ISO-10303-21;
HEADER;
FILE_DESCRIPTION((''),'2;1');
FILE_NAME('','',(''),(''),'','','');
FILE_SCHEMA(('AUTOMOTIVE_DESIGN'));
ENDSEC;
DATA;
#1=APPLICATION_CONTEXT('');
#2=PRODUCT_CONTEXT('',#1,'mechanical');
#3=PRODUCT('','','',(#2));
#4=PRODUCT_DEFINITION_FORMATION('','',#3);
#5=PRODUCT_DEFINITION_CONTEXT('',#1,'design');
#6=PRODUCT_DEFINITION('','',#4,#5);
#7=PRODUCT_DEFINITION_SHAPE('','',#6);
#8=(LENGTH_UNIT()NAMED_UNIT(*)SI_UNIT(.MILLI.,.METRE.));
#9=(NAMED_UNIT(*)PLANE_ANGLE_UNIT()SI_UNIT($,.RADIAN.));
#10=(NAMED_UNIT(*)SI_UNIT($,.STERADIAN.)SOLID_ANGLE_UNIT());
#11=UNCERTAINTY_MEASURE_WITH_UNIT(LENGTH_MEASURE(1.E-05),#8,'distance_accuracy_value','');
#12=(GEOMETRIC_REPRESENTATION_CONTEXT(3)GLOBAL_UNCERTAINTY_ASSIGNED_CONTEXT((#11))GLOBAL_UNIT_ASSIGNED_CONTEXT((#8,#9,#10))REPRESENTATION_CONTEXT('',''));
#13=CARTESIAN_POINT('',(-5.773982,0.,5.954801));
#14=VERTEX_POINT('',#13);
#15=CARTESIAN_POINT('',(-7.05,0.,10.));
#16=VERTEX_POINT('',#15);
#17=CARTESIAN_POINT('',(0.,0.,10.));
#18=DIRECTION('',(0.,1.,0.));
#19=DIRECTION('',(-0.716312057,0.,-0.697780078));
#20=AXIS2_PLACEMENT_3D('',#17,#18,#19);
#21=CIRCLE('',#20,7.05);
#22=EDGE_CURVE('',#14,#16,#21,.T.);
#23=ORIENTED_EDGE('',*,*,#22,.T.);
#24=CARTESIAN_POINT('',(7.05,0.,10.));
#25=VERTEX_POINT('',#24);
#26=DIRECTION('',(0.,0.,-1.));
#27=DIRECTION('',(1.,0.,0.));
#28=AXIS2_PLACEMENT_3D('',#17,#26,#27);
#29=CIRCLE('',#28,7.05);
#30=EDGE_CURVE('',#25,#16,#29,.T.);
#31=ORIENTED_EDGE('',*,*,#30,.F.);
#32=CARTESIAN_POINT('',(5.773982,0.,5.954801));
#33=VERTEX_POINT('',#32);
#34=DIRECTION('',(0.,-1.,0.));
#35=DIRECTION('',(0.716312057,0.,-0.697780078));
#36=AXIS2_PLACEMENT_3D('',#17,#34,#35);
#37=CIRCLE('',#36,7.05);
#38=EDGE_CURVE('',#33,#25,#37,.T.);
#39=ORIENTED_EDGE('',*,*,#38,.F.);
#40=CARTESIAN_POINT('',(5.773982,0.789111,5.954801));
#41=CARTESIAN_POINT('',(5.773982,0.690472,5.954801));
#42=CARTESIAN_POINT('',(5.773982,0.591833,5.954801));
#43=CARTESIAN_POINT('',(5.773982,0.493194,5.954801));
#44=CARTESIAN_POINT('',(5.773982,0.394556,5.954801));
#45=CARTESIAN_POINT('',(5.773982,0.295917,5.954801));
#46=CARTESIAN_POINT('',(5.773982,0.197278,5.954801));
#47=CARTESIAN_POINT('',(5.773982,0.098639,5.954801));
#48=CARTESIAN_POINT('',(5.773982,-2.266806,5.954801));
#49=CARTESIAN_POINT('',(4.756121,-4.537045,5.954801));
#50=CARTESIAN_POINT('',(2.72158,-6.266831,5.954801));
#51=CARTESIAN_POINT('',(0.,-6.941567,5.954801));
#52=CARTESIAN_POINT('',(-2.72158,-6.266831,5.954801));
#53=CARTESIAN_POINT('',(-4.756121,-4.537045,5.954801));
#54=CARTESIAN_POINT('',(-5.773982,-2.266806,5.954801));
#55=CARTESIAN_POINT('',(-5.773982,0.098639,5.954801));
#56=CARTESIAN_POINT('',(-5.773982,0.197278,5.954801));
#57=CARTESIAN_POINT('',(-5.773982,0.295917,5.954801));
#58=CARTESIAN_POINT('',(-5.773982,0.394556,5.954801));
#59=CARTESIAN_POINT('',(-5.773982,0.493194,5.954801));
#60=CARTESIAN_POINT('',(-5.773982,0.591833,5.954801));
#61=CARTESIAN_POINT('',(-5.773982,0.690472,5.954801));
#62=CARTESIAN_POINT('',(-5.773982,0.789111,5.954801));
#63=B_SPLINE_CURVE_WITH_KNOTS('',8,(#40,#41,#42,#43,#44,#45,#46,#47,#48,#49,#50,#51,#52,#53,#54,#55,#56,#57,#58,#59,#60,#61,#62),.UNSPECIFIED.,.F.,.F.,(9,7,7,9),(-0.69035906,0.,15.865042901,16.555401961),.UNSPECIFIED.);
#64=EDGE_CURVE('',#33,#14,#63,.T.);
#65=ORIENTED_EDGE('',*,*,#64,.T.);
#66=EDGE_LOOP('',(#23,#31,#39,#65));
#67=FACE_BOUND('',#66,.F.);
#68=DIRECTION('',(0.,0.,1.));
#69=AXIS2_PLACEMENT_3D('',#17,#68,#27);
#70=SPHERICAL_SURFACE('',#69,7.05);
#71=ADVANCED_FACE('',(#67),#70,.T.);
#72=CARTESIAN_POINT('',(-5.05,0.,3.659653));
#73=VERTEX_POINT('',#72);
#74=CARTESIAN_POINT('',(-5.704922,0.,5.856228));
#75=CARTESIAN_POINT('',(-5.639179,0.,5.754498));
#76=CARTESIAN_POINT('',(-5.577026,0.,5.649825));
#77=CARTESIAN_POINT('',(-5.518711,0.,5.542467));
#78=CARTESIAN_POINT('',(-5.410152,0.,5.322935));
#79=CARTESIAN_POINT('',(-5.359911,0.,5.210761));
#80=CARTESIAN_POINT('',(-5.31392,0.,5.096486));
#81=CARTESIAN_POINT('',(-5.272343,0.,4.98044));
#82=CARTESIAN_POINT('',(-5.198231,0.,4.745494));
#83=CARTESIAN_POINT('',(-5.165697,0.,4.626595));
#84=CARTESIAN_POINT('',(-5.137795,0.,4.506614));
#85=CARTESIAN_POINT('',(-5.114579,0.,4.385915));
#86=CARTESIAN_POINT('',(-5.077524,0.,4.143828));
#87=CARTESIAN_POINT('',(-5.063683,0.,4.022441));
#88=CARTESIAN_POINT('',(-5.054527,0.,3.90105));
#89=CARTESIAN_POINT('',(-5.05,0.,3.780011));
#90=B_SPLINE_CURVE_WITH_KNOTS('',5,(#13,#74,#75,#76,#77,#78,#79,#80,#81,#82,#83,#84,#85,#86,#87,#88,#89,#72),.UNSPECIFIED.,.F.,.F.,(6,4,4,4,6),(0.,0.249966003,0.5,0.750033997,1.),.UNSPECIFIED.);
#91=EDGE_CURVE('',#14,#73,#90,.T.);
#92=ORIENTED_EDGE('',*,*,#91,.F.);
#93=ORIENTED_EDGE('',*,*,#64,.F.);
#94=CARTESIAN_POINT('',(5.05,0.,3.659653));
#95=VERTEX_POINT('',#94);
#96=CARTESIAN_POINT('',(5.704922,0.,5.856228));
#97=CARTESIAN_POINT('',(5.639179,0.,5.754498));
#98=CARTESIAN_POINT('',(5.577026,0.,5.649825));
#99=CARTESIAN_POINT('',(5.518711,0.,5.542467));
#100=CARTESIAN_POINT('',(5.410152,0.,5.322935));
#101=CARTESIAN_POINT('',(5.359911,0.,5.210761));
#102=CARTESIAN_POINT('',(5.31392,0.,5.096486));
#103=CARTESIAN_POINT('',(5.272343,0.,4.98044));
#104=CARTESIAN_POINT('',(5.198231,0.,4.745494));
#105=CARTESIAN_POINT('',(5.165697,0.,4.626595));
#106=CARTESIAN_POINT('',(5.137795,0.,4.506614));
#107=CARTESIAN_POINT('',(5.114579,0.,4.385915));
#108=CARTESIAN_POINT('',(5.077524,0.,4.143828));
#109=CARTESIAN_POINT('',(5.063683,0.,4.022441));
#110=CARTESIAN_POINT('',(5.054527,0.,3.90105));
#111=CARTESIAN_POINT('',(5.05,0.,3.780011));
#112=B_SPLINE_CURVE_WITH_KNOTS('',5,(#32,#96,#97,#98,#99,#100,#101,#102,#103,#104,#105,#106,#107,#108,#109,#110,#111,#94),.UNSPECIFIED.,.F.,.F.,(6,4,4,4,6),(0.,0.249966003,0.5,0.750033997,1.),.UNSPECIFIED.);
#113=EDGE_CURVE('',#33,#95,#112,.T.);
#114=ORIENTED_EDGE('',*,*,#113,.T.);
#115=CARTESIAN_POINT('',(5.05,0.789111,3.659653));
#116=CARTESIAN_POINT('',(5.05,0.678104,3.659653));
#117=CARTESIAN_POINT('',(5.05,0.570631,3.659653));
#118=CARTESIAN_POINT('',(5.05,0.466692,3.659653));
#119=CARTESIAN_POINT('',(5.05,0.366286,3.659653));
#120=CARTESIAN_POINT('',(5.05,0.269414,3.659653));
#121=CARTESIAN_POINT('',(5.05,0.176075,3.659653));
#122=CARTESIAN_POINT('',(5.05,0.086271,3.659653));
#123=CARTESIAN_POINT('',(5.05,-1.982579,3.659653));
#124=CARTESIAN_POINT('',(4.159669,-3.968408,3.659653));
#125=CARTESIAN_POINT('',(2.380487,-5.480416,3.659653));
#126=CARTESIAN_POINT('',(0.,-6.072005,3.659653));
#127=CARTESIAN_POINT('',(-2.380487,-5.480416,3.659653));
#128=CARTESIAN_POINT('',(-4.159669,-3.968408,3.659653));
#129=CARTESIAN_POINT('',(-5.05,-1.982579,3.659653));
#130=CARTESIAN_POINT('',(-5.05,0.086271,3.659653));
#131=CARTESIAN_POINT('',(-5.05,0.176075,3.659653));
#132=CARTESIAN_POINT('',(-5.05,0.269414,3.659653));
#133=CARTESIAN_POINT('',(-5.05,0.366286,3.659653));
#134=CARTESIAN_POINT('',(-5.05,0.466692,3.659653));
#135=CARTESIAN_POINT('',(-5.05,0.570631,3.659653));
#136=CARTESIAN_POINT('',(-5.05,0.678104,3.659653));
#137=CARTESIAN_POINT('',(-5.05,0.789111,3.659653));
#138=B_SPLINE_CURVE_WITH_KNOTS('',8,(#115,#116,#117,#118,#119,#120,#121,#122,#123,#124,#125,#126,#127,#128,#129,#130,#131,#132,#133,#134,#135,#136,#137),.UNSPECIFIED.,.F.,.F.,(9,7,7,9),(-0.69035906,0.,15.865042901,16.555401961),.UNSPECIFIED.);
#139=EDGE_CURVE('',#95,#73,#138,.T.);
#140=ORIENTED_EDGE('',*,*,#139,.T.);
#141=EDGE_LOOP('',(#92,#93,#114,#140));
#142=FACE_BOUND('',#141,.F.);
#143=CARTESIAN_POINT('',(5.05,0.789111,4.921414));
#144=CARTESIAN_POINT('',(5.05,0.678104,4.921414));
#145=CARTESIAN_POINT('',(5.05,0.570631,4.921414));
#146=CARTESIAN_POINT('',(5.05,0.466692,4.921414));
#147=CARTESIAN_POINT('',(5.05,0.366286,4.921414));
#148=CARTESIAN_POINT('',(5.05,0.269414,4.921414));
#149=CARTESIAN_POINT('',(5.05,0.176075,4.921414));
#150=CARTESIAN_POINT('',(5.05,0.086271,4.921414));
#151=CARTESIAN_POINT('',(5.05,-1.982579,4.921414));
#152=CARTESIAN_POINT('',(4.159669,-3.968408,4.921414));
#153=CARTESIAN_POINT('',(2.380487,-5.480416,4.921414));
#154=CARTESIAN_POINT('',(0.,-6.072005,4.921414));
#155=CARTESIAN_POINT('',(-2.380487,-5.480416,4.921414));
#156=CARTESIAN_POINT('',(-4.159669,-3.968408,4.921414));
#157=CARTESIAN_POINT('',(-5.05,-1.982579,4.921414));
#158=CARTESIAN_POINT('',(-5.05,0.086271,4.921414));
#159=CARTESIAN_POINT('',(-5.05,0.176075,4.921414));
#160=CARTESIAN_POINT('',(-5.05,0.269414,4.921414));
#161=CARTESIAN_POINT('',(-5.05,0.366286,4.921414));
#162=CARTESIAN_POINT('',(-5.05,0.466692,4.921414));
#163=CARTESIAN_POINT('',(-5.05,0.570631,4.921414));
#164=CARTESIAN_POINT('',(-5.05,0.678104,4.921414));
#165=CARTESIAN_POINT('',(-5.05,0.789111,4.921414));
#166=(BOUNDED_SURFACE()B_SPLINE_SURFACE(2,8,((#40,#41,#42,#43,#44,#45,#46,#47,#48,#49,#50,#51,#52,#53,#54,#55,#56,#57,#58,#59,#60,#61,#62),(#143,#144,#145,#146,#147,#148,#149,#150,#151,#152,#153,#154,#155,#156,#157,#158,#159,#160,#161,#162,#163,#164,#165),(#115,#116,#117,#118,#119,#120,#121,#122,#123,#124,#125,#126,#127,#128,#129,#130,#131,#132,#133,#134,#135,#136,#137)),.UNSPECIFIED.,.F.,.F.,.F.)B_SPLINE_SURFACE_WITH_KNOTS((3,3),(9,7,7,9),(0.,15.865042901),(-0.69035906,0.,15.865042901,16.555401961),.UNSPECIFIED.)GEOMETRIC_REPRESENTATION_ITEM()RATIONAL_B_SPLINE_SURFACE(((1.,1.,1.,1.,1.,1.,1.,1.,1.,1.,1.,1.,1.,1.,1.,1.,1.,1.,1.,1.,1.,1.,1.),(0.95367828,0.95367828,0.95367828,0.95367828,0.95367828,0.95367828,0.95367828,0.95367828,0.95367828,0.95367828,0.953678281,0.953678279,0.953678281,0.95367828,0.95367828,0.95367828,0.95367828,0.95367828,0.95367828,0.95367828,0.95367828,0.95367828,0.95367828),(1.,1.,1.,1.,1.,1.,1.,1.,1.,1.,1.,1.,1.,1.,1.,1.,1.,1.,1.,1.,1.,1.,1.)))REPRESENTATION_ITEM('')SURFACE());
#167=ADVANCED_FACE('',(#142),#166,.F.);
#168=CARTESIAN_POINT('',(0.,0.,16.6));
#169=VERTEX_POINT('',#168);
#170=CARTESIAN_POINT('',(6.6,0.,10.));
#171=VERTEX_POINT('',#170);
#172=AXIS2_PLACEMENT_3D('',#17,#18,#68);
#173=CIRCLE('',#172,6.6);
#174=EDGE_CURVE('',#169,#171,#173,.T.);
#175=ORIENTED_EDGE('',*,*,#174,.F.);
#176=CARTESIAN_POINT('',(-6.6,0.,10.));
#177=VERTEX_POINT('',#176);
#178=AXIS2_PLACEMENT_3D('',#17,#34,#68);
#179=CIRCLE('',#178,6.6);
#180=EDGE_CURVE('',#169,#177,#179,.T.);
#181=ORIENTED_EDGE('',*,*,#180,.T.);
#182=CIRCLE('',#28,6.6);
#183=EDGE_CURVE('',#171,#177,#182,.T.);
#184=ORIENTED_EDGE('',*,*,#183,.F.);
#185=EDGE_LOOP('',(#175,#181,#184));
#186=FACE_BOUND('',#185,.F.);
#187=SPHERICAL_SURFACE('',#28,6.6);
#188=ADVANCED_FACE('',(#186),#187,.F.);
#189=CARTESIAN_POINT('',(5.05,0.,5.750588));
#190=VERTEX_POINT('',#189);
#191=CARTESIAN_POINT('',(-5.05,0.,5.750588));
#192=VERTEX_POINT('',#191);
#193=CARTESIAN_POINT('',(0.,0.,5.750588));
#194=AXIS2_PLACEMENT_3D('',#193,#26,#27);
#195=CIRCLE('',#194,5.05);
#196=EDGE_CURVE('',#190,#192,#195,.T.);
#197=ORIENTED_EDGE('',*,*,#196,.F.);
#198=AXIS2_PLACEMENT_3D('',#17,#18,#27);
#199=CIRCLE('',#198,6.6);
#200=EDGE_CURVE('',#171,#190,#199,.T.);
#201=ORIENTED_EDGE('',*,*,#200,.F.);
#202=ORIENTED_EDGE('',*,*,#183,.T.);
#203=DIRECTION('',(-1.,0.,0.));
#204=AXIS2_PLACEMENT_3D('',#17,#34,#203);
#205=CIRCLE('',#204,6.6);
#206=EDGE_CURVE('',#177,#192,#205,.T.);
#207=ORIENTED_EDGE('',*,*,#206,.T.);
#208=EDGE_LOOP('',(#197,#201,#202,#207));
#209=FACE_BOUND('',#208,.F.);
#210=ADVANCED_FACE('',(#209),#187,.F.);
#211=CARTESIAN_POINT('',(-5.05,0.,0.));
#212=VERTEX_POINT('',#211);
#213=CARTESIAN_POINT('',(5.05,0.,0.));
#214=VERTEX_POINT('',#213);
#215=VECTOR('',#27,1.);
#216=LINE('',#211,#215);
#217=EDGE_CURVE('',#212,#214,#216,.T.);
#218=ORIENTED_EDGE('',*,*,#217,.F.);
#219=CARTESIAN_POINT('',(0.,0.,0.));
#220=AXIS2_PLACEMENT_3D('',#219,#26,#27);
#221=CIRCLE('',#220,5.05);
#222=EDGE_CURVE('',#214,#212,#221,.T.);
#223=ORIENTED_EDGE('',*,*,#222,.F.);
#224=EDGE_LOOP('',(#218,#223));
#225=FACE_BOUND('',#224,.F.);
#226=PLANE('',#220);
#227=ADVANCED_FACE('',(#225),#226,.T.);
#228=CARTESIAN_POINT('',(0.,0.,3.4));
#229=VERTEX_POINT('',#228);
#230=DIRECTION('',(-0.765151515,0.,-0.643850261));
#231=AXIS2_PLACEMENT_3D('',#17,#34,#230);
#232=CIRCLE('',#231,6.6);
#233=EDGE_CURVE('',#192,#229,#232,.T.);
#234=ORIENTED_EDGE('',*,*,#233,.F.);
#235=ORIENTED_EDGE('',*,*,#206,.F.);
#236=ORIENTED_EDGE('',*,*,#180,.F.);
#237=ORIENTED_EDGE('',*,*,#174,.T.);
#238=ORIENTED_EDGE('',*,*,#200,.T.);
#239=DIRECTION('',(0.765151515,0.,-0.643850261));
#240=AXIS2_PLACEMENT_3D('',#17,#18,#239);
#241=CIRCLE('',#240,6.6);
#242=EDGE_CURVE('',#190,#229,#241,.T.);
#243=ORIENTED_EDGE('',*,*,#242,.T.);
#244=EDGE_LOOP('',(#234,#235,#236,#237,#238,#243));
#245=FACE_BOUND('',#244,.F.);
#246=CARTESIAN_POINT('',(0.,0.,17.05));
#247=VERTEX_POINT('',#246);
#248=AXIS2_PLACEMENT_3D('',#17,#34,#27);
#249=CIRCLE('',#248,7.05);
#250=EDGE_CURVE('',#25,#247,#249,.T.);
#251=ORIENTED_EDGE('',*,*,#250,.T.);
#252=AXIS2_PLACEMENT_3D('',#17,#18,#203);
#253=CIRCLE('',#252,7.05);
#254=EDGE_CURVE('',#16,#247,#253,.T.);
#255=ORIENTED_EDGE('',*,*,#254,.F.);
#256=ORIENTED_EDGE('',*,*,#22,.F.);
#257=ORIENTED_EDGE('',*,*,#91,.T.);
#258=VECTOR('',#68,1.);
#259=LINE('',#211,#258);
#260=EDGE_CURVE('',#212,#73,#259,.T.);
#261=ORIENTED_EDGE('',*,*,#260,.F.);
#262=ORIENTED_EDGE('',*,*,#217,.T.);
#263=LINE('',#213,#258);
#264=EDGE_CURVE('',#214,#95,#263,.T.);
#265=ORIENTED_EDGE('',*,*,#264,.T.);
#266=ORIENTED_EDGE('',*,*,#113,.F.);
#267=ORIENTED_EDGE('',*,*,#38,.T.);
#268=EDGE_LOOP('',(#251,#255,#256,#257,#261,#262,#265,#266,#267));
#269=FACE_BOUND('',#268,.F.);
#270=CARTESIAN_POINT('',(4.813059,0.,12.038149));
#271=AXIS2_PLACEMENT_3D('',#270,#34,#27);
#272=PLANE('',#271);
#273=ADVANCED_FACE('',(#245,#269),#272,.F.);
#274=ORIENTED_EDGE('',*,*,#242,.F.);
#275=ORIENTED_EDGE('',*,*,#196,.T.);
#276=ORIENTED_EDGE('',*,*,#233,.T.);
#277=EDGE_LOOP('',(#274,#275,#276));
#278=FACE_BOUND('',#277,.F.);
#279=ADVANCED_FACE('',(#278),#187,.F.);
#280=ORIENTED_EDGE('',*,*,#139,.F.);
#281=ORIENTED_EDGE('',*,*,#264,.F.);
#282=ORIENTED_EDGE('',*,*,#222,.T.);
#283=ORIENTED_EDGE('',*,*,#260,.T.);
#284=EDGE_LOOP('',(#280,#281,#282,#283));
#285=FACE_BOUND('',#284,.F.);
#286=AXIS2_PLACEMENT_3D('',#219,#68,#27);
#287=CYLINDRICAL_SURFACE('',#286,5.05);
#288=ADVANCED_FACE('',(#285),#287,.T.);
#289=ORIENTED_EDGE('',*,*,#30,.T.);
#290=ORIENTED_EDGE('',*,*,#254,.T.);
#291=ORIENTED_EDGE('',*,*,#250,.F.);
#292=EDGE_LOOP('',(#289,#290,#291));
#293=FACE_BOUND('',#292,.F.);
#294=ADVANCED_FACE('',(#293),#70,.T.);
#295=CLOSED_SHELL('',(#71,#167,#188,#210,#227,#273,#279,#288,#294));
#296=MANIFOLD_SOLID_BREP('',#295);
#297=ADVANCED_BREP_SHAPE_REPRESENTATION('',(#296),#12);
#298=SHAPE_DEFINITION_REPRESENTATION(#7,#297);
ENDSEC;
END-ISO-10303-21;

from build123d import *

# Parameters (mm, degrees)
F1_ANGLE = 180
F2_R     = 4


with BuildPart() as f1:
    # F0 (on Front) → F1 (revolve)
    with BuildSketch(Plane.XZ):
        with BuildLine():
            ThreePointArc((0, 16.6), (4.6669047558, 14.6669047558), (6.6, 10))
            ThreePointArc((6.6, 10), (6.2004032127, 7.7383634244), (5.05, 5.750588276))
            Line((5.05, 5.750588276), (5.05, 5.0806504495))
            ThreePointArc((5.05, 5.0806504495), (6.5308881479, 7.3448163905), (7.05, 10))
            ThreePointArc((7.05, 10), (4.9851028074, 14.9851028074), (0, 17.05))
            Line((0, 17.05), (0, 16.6))
        make_face()
        with BuildLine():
            Line((5.05, 5.0806504495), (5.05, 5.750588276))
            ThreePointArc((5.05, 5.750588276), (2.7851285986, 4.016434283), (0, 3.4))
            Line((0, 3.4), (0, 2.95))
            ThreePointArc((0, 2.95), (2.740536961, 3.5044663679), (5.05, 5.0806504495))
        make_face()
        with BuildLine():
            Line((5.05, 0), (5.05, 5.0806504495))
            ThreePointArc((5.05, 5.0806504495), (2.740536961, 3.5044663679), (0, 2.95))
            Line((0, 2.95), (0, 0))
            Line((0, 0), (5.05, 0))
        make_face()
    revolve(axis=Axis((0, 0, 10), (0, 0, -1)), revolution_arc=F1_ANGLE)

    # F2
    f2_edges = [f1.edges().sort_by_distance(p)[0] for p in [
        (0, -5.05, 5.08065),
    ]]
    fillet(f2_edges, radius=F2_R)


solid = f1.part
